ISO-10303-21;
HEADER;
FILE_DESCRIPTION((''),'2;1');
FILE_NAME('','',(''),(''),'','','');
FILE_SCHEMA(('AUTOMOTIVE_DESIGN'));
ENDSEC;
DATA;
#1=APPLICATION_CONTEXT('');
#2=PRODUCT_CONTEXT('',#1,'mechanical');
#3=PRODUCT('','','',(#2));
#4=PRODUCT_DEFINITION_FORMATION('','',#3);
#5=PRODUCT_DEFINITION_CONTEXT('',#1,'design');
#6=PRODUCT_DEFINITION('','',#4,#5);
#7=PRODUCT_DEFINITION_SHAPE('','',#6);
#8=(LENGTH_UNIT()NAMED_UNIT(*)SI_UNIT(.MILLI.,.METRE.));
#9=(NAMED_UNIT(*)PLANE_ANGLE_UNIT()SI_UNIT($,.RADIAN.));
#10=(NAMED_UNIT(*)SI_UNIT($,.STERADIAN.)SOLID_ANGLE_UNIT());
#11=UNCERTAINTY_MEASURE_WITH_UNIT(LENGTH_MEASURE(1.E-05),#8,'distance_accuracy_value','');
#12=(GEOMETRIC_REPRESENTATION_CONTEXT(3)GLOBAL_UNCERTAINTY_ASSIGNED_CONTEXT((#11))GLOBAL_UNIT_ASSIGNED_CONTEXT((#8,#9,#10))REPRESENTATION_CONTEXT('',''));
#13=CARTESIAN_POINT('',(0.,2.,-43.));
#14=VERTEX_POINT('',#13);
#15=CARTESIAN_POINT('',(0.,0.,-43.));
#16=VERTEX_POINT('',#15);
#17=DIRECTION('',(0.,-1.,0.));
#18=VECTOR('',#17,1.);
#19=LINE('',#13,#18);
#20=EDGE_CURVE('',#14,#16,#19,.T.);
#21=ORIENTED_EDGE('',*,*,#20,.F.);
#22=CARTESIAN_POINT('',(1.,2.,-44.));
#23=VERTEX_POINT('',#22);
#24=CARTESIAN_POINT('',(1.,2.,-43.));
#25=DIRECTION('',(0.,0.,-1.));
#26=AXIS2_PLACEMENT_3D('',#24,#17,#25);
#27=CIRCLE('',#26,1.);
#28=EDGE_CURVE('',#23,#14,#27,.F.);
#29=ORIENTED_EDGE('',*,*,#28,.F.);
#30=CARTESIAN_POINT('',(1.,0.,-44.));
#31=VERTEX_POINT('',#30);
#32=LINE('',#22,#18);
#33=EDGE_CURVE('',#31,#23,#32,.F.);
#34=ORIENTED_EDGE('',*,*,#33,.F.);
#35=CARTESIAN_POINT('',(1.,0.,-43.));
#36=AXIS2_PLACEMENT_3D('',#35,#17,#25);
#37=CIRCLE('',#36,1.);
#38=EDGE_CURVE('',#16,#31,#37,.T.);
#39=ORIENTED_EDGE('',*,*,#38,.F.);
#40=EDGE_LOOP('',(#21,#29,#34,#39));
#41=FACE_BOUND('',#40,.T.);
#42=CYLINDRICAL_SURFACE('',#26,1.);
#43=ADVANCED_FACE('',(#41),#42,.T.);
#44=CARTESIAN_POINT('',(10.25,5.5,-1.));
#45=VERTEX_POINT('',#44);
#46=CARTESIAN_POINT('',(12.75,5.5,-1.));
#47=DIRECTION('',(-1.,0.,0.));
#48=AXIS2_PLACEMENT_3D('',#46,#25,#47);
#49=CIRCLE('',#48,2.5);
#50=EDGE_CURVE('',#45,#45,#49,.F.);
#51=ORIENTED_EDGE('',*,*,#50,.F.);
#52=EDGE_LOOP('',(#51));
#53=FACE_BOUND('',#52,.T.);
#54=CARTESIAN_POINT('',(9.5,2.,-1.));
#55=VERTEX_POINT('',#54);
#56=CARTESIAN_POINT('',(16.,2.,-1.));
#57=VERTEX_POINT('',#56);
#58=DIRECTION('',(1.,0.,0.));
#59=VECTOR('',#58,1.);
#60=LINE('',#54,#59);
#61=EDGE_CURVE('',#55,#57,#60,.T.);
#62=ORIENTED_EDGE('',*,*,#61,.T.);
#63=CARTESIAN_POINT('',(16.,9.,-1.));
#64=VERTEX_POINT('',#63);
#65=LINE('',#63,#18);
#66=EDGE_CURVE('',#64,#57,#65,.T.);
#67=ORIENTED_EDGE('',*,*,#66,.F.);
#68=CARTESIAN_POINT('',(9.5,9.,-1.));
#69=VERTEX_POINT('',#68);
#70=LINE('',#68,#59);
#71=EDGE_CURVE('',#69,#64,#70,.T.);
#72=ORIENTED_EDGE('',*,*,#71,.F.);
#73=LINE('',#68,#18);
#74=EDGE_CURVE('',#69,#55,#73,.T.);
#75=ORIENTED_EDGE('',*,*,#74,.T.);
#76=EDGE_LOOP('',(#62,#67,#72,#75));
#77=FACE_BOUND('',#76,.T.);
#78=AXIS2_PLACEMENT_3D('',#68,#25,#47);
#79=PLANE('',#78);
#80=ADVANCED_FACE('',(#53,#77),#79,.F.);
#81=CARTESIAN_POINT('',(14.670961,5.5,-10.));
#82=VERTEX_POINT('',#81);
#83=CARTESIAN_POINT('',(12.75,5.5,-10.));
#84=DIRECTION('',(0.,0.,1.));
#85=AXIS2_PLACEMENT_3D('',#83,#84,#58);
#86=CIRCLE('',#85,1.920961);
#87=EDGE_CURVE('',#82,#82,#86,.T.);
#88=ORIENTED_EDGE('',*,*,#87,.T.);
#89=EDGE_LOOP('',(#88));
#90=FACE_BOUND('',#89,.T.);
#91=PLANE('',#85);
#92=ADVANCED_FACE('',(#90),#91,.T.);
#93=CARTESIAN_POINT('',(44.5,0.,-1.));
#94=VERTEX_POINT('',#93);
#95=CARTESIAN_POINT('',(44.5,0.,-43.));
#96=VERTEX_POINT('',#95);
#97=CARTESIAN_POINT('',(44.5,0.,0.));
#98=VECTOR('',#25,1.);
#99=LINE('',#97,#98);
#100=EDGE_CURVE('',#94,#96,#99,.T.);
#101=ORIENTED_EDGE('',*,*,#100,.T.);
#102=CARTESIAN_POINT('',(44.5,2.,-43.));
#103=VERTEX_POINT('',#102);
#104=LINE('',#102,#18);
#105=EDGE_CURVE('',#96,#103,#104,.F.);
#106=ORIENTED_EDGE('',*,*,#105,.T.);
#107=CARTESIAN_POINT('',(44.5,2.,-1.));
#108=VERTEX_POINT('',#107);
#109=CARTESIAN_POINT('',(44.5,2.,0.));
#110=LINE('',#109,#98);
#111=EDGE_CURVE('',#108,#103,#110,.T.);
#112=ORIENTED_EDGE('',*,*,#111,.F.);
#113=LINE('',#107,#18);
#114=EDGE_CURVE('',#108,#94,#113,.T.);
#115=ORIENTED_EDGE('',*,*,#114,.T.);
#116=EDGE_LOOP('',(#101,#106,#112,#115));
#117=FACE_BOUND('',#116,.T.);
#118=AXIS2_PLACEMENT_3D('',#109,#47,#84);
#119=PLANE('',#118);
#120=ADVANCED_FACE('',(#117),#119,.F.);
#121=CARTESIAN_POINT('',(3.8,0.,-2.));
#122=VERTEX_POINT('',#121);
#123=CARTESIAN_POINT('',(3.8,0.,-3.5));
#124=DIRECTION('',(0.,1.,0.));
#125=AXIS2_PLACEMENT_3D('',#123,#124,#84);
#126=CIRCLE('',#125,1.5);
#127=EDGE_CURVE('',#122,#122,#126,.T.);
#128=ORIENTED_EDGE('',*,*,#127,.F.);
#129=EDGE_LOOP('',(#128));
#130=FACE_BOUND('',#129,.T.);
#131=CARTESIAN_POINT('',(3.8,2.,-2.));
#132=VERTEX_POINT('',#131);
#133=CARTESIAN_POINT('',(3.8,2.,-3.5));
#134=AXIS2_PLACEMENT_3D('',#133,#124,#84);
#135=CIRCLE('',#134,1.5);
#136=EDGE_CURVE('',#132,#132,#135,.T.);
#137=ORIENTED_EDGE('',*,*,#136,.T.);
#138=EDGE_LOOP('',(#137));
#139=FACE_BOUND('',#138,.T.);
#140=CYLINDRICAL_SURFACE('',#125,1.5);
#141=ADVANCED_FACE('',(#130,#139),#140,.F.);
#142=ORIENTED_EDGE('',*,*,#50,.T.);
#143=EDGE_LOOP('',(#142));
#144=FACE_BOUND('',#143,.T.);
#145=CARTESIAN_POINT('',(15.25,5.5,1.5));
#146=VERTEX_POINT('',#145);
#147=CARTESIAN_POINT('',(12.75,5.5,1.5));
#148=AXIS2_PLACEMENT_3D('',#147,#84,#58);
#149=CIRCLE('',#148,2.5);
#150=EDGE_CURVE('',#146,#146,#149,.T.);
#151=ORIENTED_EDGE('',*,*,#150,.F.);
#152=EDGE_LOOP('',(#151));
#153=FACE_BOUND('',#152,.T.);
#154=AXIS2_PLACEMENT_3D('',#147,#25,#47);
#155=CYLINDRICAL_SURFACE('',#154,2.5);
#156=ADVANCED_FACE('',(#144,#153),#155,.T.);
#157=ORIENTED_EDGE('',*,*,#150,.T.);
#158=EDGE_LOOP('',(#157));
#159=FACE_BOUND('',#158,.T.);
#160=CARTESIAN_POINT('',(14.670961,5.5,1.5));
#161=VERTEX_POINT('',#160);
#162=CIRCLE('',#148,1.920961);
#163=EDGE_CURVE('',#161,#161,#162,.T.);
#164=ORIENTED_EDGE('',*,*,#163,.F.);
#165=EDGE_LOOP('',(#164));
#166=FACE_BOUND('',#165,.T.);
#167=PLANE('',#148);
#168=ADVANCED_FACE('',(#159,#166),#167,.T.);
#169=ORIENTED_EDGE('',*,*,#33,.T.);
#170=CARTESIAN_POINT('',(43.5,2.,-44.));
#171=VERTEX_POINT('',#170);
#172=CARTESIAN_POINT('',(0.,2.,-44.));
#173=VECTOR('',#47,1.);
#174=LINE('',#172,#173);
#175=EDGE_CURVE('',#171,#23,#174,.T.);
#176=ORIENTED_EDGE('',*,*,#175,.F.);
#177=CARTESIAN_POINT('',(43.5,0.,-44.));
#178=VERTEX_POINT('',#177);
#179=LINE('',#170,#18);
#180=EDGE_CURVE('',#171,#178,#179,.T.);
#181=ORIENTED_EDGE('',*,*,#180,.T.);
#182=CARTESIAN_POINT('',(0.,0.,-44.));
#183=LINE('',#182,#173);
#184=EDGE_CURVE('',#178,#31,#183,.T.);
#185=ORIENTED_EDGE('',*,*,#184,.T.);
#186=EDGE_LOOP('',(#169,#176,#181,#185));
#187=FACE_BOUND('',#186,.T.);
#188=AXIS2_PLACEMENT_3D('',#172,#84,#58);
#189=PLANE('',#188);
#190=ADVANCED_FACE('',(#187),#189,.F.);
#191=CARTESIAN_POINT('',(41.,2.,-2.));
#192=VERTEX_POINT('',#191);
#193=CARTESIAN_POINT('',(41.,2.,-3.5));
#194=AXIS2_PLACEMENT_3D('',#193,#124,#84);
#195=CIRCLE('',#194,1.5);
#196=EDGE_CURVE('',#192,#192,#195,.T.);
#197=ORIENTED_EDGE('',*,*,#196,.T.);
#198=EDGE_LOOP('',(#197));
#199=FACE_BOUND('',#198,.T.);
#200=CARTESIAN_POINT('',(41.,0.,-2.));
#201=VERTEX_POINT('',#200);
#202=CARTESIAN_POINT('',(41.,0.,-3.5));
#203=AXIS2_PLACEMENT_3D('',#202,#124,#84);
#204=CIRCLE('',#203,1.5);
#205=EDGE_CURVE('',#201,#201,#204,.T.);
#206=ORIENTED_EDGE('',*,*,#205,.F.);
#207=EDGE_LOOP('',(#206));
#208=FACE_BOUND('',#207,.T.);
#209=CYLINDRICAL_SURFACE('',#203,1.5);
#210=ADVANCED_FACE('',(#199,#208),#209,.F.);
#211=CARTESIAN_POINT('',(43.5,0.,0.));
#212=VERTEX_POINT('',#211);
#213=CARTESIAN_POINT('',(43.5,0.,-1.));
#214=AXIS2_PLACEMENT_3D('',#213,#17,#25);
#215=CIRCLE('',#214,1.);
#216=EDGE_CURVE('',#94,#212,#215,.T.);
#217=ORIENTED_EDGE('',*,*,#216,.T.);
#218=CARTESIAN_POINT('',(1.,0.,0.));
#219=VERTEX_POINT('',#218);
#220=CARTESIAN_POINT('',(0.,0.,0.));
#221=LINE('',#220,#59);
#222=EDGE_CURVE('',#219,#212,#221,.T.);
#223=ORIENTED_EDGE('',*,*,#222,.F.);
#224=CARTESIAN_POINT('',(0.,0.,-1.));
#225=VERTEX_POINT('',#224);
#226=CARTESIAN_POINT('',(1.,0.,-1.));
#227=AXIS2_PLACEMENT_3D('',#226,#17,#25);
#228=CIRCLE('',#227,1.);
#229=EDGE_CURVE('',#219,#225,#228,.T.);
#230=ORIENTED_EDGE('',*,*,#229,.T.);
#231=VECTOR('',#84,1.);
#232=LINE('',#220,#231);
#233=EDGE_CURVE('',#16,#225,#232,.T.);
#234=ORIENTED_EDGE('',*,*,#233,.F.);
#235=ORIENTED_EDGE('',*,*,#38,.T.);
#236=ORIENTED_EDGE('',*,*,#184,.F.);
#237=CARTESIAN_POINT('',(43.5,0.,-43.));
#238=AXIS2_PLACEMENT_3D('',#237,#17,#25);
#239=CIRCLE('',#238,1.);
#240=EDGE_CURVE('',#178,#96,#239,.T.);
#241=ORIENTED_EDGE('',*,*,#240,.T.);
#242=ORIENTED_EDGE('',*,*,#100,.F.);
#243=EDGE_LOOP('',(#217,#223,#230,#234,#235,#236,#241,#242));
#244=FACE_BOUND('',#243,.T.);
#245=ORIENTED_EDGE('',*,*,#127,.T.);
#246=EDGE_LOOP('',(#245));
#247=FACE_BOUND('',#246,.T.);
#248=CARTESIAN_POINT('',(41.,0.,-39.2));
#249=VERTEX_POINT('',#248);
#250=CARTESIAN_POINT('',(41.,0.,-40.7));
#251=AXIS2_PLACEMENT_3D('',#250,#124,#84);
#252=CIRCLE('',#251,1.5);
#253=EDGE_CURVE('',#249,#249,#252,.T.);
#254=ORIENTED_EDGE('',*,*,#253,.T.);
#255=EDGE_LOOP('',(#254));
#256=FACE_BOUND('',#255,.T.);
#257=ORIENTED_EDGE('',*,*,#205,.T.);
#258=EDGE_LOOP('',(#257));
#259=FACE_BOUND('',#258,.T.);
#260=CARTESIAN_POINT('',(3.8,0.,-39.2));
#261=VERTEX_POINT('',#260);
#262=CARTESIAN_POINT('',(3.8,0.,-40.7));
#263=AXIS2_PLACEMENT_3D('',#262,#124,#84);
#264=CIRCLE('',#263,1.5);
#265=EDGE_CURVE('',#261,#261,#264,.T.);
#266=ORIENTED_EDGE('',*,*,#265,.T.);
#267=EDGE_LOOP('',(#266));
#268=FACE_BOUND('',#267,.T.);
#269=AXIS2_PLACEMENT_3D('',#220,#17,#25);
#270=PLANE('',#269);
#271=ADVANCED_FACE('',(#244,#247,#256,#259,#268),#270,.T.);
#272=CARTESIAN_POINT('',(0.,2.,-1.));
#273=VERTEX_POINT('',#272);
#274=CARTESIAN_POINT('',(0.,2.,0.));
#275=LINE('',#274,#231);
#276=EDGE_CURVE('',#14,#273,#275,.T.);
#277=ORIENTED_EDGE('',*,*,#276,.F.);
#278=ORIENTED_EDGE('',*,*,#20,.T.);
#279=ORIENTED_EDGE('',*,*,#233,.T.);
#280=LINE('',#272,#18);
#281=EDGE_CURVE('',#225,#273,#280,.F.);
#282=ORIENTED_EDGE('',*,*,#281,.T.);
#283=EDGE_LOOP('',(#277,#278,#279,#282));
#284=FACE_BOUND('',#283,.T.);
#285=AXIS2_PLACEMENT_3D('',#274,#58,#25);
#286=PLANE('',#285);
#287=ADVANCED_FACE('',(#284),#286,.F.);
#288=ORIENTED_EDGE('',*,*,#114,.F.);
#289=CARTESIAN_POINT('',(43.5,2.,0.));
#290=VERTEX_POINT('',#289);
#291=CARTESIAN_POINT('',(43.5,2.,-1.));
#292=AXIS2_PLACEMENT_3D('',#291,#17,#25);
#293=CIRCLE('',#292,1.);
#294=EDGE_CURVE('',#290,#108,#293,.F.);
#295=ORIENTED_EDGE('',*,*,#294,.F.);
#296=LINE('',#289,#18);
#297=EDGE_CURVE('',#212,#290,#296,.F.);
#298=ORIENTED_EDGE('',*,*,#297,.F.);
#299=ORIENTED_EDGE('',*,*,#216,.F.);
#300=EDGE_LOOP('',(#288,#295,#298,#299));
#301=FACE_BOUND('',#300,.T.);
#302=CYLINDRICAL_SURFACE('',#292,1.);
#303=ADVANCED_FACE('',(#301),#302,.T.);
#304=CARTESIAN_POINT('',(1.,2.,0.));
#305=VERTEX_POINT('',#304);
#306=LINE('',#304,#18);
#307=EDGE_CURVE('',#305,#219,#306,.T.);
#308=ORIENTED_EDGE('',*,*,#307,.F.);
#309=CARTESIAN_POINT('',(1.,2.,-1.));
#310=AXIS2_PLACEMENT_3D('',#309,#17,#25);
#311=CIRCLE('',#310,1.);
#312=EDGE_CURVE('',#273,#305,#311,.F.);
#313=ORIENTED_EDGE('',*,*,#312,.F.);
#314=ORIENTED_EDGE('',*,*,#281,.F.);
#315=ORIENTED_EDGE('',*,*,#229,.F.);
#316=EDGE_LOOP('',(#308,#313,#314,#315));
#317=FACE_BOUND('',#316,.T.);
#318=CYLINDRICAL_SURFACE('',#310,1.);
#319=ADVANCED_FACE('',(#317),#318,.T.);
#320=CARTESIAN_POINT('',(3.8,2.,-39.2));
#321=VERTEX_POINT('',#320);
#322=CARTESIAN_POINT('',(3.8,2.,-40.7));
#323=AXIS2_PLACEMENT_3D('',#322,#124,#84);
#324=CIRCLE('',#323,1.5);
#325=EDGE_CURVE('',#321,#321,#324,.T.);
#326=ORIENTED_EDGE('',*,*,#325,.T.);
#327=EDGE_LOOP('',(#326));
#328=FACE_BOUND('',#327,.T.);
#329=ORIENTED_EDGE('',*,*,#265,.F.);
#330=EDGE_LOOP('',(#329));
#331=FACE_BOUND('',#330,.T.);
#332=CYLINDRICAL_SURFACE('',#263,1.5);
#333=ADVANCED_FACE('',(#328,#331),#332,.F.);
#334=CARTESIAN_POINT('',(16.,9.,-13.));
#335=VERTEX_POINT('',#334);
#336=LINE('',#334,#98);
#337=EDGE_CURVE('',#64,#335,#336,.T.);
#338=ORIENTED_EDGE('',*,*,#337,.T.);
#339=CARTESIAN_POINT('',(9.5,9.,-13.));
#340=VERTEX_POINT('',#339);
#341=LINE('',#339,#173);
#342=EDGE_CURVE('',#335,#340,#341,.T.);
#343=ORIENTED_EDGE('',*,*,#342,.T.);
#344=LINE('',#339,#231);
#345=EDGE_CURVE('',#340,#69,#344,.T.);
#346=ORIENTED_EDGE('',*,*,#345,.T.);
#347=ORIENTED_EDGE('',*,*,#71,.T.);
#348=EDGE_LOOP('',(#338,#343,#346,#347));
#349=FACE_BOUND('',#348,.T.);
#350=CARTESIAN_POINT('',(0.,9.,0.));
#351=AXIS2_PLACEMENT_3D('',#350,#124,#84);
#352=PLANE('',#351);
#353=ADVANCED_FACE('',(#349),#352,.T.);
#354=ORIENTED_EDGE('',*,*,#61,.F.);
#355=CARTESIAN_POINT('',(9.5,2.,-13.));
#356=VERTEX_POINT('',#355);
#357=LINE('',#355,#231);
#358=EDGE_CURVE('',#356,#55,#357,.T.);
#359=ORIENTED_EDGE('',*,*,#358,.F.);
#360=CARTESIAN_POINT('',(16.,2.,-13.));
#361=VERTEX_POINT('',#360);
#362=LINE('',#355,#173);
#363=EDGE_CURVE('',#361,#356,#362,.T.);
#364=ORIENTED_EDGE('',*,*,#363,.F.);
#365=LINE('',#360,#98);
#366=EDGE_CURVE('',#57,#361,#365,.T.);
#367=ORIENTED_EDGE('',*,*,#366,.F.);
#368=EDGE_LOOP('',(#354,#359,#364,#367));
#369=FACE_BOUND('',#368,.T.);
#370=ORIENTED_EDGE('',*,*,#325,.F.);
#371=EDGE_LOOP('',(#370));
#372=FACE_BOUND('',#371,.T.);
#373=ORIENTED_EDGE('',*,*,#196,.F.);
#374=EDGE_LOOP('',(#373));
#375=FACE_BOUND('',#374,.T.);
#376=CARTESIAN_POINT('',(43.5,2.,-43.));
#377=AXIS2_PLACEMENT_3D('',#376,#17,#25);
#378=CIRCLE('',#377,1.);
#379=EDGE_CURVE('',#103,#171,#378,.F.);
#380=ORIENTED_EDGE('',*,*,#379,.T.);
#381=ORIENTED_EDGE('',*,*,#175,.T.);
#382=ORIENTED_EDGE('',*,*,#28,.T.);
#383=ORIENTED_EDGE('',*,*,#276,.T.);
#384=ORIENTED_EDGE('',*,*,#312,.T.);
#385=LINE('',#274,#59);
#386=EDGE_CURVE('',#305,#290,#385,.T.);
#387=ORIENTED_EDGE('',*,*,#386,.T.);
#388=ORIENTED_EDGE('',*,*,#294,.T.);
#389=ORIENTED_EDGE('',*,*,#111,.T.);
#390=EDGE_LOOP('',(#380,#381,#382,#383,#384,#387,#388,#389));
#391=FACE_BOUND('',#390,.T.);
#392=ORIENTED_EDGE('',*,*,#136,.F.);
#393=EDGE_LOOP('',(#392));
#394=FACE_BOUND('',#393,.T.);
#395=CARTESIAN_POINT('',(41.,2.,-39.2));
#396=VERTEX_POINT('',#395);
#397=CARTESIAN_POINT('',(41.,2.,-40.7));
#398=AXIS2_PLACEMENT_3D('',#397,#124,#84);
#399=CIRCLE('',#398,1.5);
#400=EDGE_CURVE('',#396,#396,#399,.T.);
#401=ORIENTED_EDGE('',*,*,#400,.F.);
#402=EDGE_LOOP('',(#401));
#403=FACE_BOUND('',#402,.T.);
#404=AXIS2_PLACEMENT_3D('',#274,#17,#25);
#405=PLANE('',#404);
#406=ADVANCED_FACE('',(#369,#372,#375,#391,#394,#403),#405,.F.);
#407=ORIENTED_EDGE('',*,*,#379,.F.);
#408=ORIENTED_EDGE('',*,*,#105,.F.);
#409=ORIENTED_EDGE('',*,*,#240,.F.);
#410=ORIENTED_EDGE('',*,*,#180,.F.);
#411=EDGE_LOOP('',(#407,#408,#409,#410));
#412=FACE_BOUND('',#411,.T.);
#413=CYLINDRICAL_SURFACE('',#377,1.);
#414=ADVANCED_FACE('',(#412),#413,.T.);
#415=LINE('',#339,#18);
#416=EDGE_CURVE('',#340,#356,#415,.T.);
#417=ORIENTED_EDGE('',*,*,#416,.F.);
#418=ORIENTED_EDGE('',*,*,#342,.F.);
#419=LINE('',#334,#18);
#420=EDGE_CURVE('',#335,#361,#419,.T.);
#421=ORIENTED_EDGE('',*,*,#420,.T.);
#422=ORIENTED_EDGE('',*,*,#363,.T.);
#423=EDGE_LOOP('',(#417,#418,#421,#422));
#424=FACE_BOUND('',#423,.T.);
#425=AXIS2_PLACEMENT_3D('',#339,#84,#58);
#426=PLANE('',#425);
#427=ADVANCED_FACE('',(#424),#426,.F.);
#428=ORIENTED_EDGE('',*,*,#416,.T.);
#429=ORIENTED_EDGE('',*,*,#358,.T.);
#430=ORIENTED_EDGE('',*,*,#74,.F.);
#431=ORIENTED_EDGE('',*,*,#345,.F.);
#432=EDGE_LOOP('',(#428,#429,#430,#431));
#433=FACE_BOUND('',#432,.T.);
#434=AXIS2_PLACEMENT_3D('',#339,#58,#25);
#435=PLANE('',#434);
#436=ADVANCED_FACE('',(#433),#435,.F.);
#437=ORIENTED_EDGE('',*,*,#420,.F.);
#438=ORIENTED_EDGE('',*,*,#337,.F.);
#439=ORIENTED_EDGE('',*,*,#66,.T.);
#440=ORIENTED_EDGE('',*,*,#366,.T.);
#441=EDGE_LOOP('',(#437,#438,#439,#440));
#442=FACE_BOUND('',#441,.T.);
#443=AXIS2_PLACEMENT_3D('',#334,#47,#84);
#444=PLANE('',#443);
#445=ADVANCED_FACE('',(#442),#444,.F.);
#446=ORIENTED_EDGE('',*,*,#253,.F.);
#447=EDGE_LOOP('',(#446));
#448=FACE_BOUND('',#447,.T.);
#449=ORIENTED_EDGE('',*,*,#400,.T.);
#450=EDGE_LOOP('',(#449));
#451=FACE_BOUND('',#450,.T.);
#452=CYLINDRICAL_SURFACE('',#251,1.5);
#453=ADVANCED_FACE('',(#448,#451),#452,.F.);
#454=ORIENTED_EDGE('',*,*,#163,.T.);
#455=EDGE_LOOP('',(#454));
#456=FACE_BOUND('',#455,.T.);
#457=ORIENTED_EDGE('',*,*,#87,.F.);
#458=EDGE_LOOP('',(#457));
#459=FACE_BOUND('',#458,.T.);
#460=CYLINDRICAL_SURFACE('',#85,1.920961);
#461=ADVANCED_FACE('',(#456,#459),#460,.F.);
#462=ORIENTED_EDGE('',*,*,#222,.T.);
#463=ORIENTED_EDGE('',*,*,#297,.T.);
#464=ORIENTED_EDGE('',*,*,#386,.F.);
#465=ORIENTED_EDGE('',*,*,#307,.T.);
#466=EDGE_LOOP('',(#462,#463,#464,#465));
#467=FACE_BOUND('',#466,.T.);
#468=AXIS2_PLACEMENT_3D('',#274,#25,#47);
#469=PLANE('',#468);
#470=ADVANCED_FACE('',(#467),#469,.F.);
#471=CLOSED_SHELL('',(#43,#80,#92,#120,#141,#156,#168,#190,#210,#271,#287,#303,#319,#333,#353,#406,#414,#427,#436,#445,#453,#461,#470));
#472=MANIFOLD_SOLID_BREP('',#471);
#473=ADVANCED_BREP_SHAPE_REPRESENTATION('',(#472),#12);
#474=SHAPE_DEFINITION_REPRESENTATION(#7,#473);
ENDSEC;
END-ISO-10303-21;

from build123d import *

# Parameters (mm, degrees)
SKETCH1_W           = 44.5
SKETCH1_H           = 44
BOSS_EXTRUDE1_DEPTH = 2
SKETCH2_R           = 1.5
CUT_EXTRUDE1_DEPTH  = 63.611899827
SKETCH3_W           = 6.5
SKETCH3_H           = 12
BOSS_EXTRUDE2_DEPTH = 7
SKETCH4_R           = 2.5
BOSS_EXTRUDE3_DEPTH = 2.5
SKETCH5_R           = 1.920961375
CUT_EXTRUDE2_DEPTH  = 11.5
FILLET1_R           = 1


with BuildPart() as part:
    # Sketch1 → Boss-Extrude1 (new body)
    with BuildSketch(Plane(origin=(0, 0, 0), x_dir=(1, 0, 0), z_dir=(0, 1, 0))):
        with Locations((22.25, 22)):
            Rectangle(SKETCH1_W, SKETCH1_H)
    extrude(amount=BOSS_EXTRUDE1_DEPTH)

    # Sketch2 → Cut-Extrude1 (cut, through all)
    with BuildSketch(Plane(origin=(0, 2, 0), x_dir=(1, 0, 0), z_dir=(0, 1, 0))):
        with Locations(Location((3.8, 40.7, 0), (0, 0, 270))):
            Circle(SKETCH2_R)
        with Locations(Location((3.8, 3.5, 0), (0, 0, 270))):
            Circle(SKETCH2_R)
        with Locations(Location((41, 3.5, 0), (0, 0, 270))):
            Circle(SKETCH2_R)
        with Locations(Location((41, 40.7, 0), (0, 0, 270))):
            Circle(SKETCH2_R)
    extrude(amount=-CUT_EXTRUDE1_DEPTH, mode=Mode.SUBTRACT)

    # Sketch3 → Boss-Extrude2 (add)
    with BuildSketch(Plane(origin=(0, 2, 0), x_dir=(1, 0, 0), z_dir=(0, 1, 0))):
        with Locations((12.75, 7)):
            Rectangle(SKETCH3_W, SKETCH3_H)
    extrude(amount=BOSS_EXTRUDE2_DEPTH)

    # Sketch4 → Boss-Extrude3 (add)
    with BuildSketch(Plane.XY.offset(-1)):
        with Locations(Location((12.75, 5.5, 0), (0, 0, 180))):
            Circle(SKETCH4_R)
    extrude(amount=BOSS_EXTRUDE3_DEPTH)

    # Sketch5 → Cut-Extrude2 (cut)
    with BuildSketch(Plane.XY.offset(1.5)):
        with Locations((12.75, 5.5)):
            Circle(SKETCH5_R)
    extrude(amount=-CUT_EXTRUDE2_DEPTH, mode=Mode.SUBTRACT)

    # Fillet1
    fillet1_edges = [part.edges().sort_by_distance(p)[0] for p in [
        (0, 1, -44),
        (44.5, 1, -44),
        (44.5, 1, 0),
        (0, 1, 0),
    ]]
    fillet(fillet1_edges, radius=FILLET1_R)


solid = part.part
